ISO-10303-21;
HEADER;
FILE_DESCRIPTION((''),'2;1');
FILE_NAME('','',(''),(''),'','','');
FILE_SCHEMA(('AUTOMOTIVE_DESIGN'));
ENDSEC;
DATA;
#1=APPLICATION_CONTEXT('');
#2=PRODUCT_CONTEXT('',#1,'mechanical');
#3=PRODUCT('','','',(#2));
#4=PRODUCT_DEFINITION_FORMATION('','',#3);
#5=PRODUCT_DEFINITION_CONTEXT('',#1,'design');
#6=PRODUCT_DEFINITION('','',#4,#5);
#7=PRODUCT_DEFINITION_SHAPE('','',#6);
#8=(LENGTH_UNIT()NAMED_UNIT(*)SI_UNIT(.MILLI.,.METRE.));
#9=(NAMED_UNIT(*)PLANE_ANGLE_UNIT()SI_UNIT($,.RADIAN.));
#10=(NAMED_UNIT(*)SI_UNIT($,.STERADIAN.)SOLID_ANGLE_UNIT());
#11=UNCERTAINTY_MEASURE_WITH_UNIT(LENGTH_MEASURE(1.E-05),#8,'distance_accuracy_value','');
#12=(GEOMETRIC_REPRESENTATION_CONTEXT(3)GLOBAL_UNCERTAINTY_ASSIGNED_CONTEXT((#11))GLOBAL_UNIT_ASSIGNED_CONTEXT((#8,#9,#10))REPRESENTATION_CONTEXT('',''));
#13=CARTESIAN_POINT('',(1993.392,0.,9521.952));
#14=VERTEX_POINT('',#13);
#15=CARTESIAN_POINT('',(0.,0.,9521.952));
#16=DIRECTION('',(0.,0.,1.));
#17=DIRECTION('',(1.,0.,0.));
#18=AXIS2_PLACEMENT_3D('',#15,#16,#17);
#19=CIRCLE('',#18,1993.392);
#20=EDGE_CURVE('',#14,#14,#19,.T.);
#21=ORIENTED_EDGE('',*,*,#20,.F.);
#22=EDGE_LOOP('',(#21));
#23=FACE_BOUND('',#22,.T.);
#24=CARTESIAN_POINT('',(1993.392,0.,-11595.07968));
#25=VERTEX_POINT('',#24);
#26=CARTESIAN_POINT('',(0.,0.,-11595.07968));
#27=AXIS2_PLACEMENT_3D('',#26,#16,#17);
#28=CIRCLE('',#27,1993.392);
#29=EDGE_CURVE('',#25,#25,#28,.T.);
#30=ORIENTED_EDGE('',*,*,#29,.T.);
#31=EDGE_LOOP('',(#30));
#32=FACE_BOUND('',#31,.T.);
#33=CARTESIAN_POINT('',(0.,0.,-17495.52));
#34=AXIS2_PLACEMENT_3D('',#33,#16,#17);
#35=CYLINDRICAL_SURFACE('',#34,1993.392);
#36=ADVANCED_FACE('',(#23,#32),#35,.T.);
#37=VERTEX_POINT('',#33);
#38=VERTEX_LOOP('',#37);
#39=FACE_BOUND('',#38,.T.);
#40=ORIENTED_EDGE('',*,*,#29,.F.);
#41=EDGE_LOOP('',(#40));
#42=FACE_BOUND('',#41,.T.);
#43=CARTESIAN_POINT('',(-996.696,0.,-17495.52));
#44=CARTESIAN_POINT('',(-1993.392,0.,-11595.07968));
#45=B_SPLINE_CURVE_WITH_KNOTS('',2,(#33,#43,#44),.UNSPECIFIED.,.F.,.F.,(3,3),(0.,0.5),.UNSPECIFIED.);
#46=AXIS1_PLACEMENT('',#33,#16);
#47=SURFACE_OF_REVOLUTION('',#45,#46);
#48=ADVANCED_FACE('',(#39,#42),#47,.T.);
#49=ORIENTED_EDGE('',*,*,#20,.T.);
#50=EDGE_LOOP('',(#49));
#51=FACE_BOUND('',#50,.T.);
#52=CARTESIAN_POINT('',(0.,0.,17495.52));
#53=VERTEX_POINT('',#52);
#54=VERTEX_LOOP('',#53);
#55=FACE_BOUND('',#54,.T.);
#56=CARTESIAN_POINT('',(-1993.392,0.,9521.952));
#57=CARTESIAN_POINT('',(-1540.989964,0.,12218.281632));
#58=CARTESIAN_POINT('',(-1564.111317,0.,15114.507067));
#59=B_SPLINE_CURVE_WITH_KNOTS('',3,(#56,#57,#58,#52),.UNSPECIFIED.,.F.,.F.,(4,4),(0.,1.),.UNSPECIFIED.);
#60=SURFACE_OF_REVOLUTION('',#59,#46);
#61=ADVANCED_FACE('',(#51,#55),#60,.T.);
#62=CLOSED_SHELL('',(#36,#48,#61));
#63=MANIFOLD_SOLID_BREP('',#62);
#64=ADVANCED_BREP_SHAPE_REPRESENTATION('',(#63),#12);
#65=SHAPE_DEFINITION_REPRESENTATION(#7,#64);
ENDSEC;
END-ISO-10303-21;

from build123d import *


with BuildPart() as part:
    # Base → Revolve3 (revolve)
    with BuildSketch(Plane(origin=(0, 0, 0), x_dir=(1, 0, 0), z_dir=(0, 1, 0)), mode=Mode.PRIVATE) as revolve3_sk:
        with BuildLine():
            Line((-1993.392, 11595.07968), (-1993.392, -9521.952))
            add(Edge.make_bspline(
                [(-1993.392, -9521.952), (-1540.989964071, -12218.281631648), (-1564.1113168, -15114.507066816), (0, -17495.52)],
                knots=[0, 0, 0, 0, 1, 1, 1, 1], degree=3))
            Line((0, -17495.52), (0, 17495.52))
            add(Edge.make_bspline(
                [(-1993.392, 11595.07968), (-996.695999987, 17495.519999923), (0, 17495.52)],
                knots=[0, 0, 0, 0.5, 0.5, 0.5], degree=2))
        make_face()
    revolve(revolve3_sk.sketch.rotate(Axis((0, 0, -17495.52), (0, 0, -1)), 180), axis=Axis((0, 0, -17495.52), (0, 0, -1)))


solid = part.part
